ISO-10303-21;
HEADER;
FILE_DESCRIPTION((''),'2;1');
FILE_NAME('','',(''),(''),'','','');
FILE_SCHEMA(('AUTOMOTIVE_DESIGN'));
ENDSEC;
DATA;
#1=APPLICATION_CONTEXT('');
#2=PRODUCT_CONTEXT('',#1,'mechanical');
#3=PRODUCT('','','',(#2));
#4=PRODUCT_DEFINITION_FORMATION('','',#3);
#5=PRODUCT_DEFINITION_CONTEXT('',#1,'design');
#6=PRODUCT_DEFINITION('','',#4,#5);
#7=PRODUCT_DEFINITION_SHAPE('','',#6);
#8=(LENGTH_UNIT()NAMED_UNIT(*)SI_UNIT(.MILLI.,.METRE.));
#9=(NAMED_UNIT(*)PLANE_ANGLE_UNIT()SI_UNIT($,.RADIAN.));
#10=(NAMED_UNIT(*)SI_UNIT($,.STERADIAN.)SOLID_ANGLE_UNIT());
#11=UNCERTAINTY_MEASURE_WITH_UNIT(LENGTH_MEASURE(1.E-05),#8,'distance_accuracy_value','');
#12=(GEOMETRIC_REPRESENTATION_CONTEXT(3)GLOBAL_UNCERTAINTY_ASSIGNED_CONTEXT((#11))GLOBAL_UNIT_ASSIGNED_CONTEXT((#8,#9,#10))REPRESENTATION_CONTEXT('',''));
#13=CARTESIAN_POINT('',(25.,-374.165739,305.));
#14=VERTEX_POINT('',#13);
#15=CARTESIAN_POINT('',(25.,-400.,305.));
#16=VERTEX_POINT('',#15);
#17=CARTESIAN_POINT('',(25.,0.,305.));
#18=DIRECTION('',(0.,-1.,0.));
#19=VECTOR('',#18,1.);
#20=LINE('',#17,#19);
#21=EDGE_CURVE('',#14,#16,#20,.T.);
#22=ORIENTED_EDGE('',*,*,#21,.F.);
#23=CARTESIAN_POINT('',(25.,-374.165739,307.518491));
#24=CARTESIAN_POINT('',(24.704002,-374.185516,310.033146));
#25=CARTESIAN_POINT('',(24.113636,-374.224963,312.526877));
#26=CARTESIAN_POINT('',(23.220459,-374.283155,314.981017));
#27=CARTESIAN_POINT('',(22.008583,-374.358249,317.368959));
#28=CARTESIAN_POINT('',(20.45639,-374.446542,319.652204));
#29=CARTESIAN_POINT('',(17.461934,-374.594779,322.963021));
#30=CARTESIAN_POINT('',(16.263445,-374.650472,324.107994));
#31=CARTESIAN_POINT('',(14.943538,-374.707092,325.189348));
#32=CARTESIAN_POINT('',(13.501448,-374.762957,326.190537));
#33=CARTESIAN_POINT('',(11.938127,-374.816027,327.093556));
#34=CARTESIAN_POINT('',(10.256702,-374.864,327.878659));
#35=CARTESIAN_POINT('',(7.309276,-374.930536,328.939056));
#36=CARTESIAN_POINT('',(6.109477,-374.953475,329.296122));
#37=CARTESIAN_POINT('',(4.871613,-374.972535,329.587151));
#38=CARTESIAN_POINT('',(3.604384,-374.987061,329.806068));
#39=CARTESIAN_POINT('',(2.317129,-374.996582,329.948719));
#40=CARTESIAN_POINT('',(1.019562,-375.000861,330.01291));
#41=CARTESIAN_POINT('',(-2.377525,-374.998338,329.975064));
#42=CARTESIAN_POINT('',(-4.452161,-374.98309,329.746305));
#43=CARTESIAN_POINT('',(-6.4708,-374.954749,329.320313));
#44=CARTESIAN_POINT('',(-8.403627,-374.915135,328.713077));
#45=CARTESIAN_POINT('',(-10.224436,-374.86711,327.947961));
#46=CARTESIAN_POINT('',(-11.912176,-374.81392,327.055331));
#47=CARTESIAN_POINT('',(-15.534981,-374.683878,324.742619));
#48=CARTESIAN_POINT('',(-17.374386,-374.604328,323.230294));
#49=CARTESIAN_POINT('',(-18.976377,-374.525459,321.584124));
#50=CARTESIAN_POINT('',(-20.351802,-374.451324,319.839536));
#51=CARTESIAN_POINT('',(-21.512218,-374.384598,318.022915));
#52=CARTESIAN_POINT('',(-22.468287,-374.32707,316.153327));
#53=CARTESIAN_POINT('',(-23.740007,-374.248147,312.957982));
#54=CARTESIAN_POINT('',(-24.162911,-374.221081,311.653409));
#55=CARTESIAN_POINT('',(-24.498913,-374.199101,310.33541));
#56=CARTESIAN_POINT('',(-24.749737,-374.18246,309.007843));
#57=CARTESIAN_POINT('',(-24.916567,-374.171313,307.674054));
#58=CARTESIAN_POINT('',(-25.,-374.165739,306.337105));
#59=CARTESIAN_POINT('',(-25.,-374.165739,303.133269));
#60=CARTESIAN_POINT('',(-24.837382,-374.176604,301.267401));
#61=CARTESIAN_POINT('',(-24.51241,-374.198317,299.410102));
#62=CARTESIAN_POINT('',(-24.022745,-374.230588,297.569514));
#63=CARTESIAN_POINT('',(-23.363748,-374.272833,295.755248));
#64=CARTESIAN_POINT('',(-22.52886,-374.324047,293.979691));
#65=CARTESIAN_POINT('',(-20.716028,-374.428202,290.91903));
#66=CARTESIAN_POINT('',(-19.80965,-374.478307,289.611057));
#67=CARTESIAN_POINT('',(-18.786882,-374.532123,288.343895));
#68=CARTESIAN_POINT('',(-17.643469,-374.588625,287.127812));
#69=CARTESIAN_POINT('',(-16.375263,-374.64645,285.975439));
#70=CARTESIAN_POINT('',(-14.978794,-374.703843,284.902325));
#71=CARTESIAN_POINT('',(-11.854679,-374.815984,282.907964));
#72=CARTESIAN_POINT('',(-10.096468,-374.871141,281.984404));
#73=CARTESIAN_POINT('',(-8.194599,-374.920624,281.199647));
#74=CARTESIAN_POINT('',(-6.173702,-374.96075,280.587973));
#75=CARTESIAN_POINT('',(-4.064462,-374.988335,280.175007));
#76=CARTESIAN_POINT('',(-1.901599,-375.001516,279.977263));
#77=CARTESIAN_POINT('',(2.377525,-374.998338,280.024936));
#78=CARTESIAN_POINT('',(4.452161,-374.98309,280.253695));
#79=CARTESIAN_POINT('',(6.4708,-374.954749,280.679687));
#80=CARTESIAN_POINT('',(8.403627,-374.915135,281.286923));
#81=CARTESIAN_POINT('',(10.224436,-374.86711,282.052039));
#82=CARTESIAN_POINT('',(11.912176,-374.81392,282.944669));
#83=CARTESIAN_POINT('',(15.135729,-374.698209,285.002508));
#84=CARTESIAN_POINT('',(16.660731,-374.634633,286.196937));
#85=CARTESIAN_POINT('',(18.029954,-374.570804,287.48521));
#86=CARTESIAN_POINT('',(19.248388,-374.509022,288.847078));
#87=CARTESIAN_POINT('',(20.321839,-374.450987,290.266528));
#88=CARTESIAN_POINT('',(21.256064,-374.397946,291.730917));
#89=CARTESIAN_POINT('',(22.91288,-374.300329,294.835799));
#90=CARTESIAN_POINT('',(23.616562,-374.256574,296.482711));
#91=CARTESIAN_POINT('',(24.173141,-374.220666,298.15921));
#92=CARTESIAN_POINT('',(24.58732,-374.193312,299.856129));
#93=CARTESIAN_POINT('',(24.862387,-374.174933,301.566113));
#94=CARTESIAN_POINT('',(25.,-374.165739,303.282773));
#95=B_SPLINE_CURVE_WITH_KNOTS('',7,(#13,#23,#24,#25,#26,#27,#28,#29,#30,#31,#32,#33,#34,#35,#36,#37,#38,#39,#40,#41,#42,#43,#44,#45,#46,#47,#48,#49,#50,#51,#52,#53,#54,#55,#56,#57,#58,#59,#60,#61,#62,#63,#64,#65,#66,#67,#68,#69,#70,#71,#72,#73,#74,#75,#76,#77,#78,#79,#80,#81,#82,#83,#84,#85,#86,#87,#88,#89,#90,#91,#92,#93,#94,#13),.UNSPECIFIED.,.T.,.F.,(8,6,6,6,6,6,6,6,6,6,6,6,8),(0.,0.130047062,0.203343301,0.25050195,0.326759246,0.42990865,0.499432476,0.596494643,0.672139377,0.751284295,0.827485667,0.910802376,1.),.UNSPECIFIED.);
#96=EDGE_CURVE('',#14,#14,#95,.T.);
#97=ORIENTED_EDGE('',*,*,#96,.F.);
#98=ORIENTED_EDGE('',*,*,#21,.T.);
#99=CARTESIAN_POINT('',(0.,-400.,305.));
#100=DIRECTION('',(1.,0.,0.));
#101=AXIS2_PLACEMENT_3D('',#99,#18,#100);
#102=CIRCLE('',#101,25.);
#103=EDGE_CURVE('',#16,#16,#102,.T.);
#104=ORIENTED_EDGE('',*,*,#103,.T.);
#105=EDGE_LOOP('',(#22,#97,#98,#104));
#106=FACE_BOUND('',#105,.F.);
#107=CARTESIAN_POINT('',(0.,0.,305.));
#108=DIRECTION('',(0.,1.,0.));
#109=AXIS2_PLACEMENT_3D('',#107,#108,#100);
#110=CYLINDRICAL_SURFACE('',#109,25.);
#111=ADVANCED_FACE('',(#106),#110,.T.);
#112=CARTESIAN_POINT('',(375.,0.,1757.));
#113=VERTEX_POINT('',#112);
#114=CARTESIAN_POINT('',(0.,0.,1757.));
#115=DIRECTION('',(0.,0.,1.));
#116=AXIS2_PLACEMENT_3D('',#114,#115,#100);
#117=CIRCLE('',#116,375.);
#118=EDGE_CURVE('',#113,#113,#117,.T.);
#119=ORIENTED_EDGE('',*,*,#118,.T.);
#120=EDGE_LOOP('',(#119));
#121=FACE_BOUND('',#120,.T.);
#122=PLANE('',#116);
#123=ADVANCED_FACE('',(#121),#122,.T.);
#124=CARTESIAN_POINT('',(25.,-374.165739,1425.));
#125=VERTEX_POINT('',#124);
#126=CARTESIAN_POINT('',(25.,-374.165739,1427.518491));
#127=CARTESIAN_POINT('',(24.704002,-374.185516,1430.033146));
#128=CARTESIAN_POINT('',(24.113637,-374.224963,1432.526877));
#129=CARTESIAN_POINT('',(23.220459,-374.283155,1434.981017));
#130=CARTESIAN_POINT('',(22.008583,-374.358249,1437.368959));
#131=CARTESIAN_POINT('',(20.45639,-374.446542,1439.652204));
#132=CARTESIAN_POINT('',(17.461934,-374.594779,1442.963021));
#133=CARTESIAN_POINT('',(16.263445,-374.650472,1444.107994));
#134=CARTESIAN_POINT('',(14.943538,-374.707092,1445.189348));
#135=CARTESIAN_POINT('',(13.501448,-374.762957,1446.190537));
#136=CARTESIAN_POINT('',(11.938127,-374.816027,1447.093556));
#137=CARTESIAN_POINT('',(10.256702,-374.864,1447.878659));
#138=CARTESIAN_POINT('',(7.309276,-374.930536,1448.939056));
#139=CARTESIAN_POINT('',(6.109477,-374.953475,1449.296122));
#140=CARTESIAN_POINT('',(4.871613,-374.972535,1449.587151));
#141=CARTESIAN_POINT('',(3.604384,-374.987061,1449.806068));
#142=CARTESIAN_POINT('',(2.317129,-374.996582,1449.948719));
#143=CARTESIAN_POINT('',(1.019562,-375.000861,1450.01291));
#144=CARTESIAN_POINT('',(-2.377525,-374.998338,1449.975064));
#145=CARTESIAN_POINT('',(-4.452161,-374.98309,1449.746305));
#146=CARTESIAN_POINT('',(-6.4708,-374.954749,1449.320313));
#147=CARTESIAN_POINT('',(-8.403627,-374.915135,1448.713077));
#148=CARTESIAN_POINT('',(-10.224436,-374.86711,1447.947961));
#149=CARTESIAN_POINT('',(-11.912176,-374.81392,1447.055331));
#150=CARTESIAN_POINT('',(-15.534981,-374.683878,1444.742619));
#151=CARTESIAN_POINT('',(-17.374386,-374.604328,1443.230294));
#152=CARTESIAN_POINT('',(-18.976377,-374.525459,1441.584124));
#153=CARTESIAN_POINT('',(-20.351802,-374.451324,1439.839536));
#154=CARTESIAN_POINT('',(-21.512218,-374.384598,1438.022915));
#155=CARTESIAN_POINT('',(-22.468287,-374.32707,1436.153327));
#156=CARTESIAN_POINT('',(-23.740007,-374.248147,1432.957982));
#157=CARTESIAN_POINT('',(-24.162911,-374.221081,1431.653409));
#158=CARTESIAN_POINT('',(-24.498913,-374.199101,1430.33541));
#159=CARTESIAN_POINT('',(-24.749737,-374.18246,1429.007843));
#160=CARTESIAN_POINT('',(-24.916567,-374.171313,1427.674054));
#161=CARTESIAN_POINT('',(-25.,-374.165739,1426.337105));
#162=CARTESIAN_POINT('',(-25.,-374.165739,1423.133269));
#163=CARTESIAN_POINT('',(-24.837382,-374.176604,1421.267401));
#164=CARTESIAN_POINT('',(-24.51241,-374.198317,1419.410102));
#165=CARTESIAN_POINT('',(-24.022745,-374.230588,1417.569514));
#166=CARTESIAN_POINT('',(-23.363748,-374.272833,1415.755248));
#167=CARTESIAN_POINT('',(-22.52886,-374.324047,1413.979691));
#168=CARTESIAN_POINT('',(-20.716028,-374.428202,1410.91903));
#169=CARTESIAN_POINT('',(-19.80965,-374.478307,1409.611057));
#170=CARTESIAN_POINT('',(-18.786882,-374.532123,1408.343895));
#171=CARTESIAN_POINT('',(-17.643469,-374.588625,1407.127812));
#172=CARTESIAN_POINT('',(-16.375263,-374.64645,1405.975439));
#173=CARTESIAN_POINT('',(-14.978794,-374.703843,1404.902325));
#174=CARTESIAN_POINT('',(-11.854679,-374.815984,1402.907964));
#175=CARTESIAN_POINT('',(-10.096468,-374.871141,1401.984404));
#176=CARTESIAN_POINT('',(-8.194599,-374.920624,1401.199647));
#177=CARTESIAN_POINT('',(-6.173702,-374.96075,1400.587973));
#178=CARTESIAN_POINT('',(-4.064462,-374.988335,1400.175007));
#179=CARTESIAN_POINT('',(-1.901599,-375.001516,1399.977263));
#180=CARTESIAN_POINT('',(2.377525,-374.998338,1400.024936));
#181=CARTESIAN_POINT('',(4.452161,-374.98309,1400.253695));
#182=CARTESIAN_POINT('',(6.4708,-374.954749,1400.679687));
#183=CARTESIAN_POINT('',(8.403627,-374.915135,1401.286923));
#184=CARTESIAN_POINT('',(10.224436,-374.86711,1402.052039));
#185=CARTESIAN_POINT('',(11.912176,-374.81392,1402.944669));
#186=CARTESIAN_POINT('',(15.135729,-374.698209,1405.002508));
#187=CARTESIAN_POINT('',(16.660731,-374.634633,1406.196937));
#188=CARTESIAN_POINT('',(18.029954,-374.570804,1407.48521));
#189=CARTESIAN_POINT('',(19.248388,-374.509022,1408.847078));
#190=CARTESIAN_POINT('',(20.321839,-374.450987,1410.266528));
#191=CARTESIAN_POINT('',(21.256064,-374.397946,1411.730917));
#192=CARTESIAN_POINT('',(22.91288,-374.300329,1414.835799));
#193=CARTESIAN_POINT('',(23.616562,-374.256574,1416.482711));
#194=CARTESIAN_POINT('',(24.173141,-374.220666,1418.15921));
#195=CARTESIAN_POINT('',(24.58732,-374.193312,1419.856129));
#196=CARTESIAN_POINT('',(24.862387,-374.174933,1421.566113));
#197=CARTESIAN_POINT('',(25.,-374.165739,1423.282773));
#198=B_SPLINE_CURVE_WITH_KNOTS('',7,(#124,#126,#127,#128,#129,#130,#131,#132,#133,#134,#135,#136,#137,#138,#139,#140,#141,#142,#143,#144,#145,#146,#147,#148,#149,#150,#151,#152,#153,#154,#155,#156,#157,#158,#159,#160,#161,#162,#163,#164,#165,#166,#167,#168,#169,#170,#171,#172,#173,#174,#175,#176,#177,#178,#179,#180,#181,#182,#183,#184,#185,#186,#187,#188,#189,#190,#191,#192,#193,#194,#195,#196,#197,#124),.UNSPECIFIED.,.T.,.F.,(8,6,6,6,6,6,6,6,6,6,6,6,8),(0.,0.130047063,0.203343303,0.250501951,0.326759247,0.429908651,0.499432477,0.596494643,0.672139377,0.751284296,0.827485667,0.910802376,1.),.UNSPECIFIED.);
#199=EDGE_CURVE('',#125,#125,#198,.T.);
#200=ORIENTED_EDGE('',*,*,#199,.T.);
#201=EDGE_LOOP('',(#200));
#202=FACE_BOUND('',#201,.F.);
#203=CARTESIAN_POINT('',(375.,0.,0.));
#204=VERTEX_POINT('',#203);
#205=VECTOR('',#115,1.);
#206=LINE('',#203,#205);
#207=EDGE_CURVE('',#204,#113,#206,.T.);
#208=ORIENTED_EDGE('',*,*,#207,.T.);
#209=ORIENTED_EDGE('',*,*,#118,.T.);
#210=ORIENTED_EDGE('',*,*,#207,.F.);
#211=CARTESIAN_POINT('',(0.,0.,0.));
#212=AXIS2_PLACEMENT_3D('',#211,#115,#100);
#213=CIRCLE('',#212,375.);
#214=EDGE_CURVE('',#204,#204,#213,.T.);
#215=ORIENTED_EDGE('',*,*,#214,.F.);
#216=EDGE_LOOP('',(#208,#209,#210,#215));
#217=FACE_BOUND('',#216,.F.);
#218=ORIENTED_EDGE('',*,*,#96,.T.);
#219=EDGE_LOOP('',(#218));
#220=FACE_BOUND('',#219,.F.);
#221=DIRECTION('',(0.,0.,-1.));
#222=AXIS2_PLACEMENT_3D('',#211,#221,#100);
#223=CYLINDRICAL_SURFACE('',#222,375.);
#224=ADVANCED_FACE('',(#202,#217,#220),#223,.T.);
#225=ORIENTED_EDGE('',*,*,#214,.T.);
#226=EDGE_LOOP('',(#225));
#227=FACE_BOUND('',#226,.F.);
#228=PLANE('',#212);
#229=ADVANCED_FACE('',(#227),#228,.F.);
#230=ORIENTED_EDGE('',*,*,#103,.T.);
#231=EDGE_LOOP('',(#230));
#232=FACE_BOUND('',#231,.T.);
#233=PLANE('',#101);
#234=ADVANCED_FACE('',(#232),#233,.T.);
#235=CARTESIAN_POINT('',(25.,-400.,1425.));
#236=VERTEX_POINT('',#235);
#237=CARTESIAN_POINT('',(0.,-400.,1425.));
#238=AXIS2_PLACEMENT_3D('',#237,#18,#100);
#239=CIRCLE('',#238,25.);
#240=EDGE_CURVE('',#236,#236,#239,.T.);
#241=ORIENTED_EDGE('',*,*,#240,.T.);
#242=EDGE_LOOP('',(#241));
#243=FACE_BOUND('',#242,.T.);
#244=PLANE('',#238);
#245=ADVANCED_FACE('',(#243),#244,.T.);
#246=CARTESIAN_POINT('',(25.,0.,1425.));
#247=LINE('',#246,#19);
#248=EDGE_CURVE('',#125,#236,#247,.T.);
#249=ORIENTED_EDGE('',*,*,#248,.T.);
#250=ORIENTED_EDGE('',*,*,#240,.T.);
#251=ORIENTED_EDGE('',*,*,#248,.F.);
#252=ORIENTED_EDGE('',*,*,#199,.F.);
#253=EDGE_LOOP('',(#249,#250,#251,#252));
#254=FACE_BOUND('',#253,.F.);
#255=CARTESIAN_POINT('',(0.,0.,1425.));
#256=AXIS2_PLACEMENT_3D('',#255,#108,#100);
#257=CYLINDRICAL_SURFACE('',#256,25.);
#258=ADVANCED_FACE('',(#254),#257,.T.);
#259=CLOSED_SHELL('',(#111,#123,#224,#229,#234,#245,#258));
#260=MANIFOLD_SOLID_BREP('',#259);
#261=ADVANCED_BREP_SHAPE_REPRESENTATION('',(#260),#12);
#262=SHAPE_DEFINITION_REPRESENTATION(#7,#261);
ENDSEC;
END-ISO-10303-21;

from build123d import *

# Parameters (mm, degrees)
F0_R     = 375
F1_DEPTH = 1757
F2_R     = 25
F3_DEPTH = 400


with BuildPart() as f1:
    # F0 (on Top) → F1 (new body)
    with BuildSketch(Plane.XY):
        Circle(F0_R)
    extrude(amount=F1_DEPTH)

    # F2 (on Front) → F3 (join)
    with BuildSketch(Plane.XZ):
        with Locations((0, 305)):
            Circle(F2_R)
        with Locations((0, 1425)):
            Circle(F2_R)
    extrude(amount=F3_DEPTH)


solid = f1.part
